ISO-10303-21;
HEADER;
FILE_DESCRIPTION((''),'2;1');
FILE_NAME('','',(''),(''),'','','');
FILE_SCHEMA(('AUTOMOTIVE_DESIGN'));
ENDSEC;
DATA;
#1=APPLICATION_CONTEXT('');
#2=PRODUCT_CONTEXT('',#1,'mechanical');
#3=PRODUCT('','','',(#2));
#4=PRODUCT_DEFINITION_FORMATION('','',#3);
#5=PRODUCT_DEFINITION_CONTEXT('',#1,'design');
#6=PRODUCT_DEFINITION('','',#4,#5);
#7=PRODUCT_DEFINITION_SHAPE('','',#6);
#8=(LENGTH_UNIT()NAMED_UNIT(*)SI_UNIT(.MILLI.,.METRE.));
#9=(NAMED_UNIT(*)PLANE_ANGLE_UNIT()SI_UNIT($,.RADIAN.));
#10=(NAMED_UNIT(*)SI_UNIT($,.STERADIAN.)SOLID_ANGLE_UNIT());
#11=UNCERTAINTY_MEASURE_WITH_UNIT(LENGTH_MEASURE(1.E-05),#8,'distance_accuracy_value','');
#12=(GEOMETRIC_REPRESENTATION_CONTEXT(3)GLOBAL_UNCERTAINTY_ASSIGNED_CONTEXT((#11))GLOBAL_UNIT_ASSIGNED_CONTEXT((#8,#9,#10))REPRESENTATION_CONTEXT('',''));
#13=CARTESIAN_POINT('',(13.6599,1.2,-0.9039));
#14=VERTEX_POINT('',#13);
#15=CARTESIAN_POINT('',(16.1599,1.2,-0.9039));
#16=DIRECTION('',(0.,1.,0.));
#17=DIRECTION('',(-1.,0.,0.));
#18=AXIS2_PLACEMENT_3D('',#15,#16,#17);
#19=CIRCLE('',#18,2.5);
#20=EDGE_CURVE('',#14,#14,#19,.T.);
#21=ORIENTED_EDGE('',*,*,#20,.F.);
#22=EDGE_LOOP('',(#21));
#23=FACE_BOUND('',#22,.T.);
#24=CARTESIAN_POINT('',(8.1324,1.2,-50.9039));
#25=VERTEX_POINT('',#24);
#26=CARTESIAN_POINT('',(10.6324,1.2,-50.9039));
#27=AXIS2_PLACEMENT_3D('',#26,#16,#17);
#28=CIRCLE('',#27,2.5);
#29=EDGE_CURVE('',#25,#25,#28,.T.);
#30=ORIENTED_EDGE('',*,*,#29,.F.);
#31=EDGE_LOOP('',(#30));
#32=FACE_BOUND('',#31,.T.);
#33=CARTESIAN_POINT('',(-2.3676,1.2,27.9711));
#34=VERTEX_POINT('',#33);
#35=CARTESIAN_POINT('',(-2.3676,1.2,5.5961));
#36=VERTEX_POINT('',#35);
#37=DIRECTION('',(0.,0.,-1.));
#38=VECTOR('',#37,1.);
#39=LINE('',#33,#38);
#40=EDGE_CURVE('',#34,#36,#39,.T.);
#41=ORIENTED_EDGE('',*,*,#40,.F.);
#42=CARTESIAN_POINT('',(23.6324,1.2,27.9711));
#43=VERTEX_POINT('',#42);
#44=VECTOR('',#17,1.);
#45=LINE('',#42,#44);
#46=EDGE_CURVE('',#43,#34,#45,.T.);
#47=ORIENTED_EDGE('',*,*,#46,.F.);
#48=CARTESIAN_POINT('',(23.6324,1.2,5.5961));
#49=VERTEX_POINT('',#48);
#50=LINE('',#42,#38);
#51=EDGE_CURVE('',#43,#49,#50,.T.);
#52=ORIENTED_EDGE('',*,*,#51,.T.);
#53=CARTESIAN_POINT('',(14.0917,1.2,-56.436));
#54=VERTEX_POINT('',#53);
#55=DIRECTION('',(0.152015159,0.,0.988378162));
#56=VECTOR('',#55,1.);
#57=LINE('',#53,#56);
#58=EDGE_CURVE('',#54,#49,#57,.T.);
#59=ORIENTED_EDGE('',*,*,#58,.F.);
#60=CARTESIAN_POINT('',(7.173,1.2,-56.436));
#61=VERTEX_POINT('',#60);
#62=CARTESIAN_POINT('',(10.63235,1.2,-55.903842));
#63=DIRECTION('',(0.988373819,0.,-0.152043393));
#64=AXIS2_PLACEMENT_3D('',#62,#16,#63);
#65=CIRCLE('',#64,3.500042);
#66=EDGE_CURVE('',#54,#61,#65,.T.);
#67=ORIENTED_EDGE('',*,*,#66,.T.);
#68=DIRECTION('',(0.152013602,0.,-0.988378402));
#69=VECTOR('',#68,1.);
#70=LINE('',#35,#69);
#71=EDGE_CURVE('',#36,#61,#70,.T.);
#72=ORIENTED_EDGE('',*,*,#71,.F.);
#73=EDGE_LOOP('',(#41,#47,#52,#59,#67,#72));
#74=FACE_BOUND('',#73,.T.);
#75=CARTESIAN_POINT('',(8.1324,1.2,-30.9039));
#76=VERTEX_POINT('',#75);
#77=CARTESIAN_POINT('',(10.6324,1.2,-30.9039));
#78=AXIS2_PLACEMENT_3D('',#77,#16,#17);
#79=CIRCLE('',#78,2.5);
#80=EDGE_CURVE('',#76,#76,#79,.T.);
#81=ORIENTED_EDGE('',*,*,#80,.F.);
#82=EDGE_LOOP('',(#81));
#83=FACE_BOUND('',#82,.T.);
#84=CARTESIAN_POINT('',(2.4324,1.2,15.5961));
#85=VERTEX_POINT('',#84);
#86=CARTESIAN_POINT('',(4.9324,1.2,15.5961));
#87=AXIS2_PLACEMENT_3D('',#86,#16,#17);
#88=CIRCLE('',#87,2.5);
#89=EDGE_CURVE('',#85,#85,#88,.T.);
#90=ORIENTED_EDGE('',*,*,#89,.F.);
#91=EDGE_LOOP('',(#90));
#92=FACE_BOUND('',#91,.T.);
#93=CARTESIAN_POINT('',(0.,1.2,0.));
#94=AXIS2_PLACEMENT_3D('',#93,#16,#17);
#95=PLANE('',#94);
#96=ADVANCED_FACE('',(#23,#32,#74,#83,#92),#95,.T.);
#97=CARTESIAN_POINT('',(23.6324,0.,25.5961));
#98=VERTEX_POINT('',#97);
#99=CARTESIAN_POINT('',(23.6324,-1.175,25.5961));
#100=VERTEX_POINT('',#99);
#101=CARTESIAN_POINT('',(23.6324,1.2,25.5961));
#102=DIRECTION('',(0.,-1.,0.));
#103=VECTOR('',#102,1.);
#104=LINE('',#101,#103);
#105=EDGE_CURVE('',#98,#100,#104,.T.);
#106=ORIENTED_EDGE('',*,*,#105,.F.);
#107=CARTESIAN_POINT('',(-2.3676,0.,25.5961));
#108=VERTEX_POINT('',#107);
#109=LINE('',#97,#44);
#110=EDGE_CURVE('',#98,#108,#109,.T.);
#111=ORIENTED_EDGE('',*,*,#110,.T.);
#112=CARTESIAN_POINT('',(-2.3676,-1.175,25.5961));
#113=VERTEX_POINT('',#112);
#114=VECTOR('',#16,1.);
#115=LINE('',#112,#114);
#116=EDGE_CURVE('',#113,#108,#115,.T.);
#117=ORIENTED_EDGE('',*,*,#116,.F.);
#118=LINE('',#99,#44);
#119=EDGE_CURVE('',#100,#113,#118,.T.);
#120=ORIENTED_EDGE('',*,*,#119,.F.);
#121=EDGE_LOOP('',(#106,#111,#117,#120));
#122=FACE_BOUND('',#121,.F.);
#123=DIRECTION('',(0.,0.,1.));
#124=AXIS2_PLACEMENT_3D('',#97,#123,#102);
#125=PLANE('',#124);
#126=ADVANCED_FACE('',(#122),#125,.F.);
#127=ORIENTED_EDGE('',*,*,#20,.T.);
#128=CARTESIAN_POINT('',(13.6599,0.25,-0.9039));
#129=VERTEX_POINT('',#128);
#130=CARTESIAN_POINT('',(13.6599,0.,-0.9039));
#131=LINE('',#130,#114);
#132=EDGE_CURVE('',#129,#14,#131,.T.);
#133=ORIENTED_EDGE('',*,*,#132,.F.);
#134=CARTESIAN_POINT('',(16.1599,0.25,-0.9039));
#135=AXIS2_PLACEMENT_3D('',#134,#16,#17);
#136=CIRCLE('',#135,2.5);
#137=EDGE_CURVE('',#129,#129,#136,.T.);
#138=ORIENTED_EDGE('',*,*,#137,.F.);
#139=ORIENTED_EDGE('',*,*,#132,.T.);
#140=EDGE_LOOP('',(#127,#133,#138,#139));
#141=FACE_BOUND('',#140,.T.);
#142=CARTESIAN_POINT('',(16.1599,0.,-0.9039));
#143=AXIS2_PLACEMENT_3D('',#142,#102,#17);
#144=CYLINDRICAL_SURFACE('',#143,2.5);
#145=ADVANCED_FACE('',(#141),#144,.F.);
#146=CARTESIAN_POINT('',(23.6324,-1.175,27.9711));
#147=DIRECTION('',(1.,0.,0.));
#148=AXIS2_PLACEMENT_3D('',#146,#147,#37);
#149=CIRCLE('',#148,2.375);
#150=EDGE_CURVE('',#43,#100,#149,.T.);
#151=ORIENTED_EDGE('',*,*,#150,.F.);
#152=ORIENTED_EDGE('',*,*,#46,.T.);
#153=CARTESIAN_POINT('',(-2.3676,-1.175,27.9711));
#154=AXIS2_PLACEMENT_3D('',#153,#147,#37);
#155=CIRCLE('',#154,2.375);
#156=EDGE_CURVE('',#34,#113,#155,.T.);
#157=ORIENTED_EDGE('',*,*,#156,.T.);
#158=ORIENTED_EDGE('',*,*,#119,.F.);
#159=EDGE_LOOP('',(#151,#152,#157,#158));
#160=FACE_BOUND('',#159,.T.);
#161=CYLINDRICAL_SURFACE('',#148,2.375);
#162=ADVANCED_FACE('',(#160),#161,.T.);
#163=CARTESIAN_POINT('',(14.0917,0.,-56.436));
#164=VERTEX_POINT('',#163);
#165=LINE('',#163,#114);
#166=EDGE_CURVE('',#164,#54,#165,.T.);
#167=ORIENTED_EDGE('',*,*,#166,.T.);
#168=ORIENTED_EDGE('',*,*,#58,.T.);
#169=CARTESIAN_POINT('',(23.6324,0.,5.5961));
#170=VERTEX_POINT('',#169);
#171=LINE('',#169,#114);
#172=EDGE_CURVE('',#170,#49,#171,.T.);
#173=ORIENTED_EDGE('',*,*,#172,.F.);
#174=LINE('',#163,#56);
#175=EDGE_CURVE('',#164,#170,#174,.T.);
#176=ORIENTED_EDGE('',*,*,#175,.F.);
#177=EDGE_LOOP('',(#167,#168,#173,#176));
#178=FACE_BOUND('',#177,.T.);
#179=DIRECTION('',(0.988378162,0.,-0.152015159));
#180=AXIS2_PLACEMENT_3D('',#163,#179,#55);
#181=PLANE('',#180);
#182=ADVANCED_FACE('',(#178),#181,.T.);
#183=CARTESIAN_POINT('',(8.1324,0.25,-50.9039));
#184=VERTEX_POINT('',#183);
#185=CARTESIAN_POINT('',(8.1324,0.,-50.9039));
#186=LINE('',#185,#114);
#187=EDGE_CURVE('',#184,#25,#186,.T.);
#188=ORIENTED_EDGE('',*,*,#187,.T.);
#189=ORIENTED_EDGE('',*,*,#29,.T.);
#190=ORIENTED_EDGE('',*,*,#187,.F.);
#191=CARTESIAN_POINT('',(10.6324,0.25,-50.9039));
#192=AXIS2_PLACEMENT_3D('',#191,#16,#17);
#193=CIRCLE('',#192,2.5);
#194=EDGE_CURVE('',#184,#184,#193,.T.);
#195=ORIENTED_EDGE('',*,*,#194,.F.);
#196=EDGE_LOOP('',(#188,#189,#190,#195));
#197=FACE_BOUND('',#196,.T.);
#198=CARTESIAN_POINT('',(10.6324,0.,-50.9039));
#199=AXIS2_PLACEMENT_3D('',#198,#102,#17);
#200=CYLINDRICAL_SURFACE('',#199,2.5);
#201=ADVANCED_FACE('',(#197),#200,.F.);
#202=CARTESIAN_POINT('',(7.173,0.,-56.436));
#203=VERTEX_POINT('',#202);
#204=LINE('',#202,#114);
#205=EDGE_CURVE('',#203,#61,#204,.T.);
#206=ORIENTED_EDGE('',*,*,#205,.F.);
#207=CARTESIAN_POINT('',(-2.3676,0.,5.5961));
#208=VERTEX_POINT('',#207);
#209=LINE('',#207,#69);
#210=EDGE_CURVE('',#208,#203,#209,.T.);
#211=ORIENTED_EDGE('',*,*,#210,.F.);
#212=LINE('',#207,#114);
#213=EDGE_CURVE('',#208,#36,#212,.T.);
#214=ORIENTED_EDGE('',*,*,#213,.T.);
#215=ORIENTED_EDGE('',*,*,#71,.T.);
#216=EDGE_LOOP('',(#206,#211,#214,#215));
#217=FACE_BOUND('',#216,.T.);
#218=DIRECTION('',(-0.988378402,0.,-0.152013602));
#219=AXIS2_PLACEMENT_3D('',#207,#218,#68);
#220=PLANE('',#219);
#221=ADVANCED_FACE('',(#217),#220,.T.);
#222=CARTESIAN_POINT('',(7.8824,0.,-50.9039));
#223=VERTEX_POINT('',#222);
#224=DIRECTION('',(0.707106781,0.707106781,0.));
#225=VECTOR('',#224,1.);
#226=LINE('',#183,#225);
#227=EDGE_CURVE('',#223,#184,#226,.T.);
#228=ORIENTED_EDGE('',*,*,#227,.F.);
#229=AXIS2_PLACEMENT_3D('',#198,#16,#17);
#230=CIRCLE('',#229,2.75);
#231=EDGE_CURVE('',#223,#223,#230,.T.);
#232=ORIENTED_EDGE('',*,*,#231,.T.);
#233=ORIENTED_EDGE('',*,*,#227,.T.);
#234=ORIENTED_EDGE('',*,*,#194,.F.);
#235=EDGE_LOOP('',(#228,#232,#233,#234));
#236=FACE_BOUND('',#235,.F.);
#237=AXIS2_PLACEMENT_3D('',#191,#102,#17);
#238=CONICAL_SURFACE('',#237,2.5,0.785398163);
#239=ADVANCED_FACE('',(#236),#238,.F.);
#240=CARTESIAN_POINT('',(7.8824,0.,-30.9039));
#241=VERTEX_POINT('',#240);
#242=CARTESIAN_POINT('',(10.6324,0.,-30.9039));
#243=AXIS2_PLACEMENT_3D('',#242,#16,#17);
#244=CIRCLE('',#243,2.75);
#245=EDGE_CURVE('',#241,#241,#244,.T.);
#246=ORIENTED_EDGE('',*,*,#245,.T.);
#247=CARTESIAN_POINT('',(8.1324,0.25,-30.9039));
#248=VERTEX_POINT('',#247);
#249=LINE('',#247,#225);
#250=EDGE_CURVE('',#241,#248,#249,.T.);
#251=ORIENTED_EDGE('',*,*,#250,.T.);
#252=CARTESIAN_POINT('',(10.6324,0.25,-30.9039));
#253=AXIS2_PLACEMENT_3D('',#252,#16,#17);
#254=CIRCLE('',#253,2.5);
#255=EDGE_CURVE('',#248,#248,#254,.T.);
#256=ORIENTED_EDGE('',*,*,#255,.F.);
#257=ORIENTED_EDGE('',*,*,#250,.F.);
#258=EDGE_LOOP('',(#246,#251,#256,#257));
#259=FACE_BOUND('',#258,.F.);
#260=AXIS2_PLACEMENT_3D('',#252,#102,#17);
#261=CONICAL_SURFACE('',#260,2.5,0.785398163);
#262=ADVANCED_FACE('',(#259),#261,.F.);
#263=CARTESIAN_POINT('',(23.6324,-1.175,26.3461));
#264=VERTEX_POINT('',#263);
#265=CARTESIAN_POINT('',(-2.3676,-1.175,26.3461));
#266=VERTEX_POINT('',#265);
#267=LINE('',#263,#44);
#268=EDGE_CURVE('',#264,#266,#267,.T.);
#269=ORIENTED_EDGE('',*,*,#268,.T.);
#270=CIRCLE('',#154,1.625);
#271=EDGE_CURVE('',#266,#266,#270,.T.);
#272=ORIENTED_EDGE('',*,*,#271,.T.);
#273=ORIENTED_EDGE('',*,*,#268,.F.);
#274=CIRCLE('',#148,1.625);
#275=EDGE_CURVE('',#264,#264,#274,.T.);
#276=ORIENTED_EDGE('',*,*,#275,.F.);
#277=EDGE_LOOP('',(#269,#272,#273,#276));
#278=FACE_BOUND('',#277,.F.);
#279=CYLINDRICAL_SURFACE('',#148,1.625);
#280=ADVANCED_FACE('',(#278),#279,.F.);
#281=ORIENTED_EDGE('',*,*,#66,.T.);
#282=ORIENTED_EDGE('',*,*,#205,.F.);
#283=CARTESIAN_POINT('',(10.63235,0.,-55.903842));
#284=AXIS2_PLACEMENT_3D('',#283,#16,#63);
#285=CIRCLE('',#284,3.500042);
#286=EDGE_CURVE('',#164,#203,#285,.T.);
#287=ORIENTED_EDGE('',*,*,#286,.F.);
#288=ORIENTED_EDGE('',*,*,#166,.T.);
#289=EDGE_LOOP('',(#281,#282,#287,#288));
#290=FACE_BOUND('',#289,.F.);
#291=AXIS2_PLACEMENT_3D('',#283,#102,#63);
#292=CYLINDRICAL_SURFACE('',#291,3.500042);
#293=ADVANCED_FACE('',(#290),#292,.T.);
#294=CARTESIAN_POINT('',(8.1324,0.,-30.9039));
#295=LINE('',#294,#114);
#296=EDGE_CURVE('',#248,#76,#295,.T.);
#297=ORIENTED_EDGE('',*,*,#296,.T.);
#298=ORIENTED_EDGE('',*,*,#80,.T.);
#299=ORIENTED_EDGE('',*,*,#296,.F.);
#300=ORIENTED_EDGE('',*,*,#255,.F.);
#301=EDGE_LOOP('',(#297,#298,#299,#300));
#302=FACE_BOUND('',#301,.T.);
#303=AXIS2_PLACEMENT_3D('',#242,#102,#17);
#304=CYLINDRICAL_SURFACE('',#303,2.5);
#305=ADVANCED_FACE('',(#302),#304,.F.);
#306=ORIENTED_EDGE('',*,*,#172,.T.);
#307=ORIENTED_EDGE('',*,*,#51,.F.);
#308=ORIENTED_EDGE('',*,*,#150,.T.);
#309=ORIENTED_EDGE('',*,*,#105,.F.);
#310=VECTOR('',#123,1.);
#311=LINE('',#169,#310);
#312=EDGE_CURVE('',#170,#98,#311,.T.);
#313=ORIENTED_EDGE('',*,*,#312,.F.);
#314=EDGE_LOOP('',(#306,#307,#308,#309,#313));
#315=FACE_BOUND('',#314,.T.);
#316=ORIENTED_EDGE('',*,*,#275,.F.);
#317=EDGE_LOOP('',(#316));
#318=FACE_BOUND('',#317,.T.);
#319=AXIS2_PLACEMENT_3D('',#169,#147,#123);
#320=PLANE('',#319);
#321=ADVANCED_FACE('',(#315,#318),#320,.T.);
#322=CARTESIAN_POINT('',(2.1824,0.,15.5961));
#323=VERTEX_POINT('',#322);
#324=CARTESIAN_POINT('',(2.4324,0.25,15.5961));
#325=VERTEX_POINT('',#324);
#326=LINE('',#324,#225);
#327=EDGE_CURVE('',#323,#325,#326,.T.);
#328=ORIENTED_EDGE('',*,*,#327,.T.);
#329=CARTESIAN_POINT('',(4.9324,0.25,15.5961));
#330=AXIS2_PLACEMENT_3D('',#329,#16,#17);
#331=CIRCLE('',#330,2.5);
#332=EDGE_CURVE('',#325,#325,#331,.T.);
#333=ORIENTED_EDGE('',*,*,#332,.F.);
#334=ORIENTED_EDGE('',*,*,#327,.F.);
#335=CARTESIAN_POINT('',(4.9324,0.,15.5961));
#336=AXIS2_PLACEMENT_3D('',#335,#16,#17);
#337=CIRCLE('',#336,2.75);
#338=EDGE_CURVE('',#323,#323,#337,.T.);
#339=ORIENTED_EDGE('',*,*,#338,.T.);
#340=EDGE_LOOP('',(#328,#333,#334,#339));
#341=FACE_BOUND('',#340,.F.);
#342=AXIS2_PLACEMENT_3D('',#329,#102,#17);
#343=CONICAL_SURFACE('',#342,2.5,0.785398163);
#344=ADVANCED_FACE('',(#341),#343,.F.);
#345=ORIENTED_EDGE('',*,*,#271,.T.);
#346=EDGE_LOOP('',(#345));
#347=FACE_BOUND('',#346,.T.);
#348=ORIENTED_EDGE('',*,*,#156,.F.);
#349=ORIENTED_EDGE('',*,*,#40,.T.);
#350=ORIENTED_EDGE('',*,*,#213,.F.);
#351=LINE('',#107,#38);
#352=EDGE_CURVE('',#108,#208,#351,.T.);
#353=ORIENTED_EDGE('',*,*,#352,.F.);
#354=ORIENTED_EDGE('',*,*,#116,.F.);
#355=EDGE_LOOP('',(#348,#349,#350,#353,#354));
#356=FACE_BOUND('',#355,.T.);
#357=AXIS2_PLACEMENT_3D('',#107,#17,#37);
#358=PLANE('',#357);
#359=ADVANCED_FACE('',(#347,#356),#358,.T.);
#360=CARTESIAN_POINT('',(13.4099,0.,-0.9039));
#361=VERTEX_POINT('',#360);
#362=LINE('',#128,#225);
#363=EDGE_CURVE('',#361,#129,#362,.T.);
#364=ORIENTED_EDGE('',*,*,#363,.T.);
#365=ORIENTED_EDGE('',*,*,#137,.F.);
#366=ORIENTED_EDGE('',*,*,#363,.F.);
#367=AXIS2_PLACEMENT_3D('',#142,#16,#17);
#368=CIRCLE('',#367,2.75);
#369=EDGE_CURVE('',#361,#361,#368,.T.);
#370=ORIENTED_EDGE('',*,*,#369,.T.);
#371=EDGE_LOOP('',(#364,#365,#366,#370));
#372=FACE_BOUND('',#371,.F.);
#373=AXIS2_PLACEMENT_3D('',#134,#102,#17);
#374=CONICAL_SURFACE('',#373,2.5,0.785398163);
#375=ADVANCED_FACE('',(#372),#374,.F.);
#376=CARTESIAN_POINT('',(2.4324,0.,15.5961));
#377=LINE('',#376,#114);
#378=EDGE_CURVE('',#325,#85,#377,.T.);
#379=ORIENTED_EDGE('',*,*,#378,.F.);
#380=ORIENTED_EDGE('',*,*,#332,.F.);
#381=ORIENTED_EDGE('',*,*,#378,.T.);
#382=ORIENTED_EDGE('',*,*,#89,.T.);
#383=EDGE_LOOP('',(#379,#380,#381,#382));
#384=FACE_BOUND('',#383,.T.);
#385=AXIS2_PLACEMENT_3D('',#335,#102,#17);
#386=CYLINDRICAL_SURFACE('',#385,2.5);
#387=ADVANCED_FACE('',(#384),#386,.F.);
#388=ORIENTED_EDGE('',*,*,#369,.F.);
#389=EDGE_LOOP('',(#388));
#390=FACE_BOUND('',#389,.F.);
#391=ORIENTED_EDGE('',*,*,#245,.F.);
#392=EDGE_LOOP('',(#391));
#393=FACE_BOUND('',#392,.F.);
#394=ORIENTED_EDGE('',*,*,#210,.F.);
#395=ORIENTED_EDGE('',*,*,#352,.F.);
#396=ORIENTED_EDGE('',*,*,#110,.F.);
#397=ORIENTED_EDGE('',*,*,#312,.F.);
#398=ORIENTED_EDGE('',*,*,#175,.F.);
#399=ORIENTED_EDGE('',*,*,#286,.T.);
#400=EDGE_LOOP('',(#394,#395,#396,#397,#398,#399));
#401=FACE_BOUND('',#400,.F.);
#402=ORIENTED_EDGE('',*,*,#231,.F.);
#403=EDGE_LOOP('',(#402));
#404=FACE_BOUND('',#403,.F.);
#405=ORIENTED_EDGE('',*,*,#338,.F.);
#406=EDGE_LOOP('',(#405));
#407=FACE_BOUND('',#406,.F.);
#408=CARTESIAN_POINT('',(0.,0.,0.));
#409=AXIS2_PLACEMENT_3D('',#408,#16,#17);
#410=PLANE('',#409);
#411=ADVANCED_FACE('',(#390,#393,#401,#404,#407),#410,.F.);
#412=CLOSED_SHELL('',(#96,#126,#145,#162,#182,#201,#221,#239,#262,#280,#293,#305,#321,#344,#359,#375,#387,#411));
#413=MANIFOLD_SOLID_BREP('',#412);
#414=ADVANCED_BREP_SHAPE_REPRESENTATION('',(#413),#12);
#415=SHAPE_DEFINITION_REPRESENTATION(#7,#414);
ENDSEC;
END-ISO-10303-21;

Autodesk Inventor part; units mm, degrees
ref_plane "YZ Plane" through (0, 0, 0) normal (1, 0, 0) x (0, 1, 0)
ref_plane "XZ Plane" through (0, 0, 0) normal (0, 1, 0) x (-1, 0, 0)
ref_plane "XY Plane" through (0, 0, 0) normal (0, 0, 1) x (1, 0, 0)
sketch "Boceto1" plane through (0, 0, 0) normal (0, 1, 0) x (-1, 0, 0)
  line L0 (2.3676, 25.5961) -> (2.3676, 5.5961)
  line L1 (-23.6324, 5.5961) -> (-23.6324, 25.5961)
  line L2 (-23.6324, 25.5961) -> (2.3676, 25.5961)
  line L3 (2.3676, 25.5961) -> (2.3676, 5.5961)
  circle A0 centre (-16.1599, -0.9039) radius 2.5
  circle A1 centre (-4.9324, 15.5961) radius 2.5
  circle A2 centre (-10.6324, -50.9039) radius 2.5
  line L4 (2.3676, 5.5961) -> (-7.173, -56.436)
  line L5 (-14.0917, -56.436) -> (-23.6324, 5.5961)
  arc A3 (-14.0917, -56.436) -> (-7.173, -56.436) centre (-10.6324, -55.9039) ccw
  circle A4 centre (-10.6324, -30.9039) radius 2.5
  point P0 (0, 0)
  dimension "d2" = 20
  dimension "d16" = 26
  dimension "d17" = 5
  dimension "d18" = 5
  dimension "d19" = 5
  dimension "d20" = 10
  dimension "d21" = 7.3
  dimension "d22" = 26.5
  dimension "d26" = 5
  dimension "d30" = 5
  dimension "d31" = 20
extrude "Extrusión1" add sketch "Boceto1" along normal blind 1.2
sketch "Boceto4" plane through (23.6324, 0, 25.5961) normal (1, 0, 0) x (0, 0, -1)
  circle A0 centre (-2.375, -1.175) radius 2.375
  circle A1 centre (-2.375, -1.175) radius 1.625
  line L0 (0, 0) -> (0, 1.2) projected
  line L1 (0, 1.2) -> (20, 1.2) projected
  line L2 (20, 1.2) -> (0, 1.2) projected
  line L3 (0, 1.2) -> (-2.375, 1.2)
  line L4 (20, 0) -> (0, 0) projected
  line L5 (0, 0) -> (0, -1.175)
  point P0 (25.5961, 0)
  point P1 (20, 2)
  dimension "d12" = 4.75
  dimension "d13" = 3.25
extrude "Extrusión3" add sketch "Boceto4" against normal blind 26
chamfer "Chaflán1" distance 0.25 angle 45 4 edges at (7.4324, 0, 15.5961) (18.6599, 0, -0.9039) (13.1324, 0, -50.9039) (13.1324, 0, -30.9039)
properties part number "Ala 2 Bisagra tipo T"
